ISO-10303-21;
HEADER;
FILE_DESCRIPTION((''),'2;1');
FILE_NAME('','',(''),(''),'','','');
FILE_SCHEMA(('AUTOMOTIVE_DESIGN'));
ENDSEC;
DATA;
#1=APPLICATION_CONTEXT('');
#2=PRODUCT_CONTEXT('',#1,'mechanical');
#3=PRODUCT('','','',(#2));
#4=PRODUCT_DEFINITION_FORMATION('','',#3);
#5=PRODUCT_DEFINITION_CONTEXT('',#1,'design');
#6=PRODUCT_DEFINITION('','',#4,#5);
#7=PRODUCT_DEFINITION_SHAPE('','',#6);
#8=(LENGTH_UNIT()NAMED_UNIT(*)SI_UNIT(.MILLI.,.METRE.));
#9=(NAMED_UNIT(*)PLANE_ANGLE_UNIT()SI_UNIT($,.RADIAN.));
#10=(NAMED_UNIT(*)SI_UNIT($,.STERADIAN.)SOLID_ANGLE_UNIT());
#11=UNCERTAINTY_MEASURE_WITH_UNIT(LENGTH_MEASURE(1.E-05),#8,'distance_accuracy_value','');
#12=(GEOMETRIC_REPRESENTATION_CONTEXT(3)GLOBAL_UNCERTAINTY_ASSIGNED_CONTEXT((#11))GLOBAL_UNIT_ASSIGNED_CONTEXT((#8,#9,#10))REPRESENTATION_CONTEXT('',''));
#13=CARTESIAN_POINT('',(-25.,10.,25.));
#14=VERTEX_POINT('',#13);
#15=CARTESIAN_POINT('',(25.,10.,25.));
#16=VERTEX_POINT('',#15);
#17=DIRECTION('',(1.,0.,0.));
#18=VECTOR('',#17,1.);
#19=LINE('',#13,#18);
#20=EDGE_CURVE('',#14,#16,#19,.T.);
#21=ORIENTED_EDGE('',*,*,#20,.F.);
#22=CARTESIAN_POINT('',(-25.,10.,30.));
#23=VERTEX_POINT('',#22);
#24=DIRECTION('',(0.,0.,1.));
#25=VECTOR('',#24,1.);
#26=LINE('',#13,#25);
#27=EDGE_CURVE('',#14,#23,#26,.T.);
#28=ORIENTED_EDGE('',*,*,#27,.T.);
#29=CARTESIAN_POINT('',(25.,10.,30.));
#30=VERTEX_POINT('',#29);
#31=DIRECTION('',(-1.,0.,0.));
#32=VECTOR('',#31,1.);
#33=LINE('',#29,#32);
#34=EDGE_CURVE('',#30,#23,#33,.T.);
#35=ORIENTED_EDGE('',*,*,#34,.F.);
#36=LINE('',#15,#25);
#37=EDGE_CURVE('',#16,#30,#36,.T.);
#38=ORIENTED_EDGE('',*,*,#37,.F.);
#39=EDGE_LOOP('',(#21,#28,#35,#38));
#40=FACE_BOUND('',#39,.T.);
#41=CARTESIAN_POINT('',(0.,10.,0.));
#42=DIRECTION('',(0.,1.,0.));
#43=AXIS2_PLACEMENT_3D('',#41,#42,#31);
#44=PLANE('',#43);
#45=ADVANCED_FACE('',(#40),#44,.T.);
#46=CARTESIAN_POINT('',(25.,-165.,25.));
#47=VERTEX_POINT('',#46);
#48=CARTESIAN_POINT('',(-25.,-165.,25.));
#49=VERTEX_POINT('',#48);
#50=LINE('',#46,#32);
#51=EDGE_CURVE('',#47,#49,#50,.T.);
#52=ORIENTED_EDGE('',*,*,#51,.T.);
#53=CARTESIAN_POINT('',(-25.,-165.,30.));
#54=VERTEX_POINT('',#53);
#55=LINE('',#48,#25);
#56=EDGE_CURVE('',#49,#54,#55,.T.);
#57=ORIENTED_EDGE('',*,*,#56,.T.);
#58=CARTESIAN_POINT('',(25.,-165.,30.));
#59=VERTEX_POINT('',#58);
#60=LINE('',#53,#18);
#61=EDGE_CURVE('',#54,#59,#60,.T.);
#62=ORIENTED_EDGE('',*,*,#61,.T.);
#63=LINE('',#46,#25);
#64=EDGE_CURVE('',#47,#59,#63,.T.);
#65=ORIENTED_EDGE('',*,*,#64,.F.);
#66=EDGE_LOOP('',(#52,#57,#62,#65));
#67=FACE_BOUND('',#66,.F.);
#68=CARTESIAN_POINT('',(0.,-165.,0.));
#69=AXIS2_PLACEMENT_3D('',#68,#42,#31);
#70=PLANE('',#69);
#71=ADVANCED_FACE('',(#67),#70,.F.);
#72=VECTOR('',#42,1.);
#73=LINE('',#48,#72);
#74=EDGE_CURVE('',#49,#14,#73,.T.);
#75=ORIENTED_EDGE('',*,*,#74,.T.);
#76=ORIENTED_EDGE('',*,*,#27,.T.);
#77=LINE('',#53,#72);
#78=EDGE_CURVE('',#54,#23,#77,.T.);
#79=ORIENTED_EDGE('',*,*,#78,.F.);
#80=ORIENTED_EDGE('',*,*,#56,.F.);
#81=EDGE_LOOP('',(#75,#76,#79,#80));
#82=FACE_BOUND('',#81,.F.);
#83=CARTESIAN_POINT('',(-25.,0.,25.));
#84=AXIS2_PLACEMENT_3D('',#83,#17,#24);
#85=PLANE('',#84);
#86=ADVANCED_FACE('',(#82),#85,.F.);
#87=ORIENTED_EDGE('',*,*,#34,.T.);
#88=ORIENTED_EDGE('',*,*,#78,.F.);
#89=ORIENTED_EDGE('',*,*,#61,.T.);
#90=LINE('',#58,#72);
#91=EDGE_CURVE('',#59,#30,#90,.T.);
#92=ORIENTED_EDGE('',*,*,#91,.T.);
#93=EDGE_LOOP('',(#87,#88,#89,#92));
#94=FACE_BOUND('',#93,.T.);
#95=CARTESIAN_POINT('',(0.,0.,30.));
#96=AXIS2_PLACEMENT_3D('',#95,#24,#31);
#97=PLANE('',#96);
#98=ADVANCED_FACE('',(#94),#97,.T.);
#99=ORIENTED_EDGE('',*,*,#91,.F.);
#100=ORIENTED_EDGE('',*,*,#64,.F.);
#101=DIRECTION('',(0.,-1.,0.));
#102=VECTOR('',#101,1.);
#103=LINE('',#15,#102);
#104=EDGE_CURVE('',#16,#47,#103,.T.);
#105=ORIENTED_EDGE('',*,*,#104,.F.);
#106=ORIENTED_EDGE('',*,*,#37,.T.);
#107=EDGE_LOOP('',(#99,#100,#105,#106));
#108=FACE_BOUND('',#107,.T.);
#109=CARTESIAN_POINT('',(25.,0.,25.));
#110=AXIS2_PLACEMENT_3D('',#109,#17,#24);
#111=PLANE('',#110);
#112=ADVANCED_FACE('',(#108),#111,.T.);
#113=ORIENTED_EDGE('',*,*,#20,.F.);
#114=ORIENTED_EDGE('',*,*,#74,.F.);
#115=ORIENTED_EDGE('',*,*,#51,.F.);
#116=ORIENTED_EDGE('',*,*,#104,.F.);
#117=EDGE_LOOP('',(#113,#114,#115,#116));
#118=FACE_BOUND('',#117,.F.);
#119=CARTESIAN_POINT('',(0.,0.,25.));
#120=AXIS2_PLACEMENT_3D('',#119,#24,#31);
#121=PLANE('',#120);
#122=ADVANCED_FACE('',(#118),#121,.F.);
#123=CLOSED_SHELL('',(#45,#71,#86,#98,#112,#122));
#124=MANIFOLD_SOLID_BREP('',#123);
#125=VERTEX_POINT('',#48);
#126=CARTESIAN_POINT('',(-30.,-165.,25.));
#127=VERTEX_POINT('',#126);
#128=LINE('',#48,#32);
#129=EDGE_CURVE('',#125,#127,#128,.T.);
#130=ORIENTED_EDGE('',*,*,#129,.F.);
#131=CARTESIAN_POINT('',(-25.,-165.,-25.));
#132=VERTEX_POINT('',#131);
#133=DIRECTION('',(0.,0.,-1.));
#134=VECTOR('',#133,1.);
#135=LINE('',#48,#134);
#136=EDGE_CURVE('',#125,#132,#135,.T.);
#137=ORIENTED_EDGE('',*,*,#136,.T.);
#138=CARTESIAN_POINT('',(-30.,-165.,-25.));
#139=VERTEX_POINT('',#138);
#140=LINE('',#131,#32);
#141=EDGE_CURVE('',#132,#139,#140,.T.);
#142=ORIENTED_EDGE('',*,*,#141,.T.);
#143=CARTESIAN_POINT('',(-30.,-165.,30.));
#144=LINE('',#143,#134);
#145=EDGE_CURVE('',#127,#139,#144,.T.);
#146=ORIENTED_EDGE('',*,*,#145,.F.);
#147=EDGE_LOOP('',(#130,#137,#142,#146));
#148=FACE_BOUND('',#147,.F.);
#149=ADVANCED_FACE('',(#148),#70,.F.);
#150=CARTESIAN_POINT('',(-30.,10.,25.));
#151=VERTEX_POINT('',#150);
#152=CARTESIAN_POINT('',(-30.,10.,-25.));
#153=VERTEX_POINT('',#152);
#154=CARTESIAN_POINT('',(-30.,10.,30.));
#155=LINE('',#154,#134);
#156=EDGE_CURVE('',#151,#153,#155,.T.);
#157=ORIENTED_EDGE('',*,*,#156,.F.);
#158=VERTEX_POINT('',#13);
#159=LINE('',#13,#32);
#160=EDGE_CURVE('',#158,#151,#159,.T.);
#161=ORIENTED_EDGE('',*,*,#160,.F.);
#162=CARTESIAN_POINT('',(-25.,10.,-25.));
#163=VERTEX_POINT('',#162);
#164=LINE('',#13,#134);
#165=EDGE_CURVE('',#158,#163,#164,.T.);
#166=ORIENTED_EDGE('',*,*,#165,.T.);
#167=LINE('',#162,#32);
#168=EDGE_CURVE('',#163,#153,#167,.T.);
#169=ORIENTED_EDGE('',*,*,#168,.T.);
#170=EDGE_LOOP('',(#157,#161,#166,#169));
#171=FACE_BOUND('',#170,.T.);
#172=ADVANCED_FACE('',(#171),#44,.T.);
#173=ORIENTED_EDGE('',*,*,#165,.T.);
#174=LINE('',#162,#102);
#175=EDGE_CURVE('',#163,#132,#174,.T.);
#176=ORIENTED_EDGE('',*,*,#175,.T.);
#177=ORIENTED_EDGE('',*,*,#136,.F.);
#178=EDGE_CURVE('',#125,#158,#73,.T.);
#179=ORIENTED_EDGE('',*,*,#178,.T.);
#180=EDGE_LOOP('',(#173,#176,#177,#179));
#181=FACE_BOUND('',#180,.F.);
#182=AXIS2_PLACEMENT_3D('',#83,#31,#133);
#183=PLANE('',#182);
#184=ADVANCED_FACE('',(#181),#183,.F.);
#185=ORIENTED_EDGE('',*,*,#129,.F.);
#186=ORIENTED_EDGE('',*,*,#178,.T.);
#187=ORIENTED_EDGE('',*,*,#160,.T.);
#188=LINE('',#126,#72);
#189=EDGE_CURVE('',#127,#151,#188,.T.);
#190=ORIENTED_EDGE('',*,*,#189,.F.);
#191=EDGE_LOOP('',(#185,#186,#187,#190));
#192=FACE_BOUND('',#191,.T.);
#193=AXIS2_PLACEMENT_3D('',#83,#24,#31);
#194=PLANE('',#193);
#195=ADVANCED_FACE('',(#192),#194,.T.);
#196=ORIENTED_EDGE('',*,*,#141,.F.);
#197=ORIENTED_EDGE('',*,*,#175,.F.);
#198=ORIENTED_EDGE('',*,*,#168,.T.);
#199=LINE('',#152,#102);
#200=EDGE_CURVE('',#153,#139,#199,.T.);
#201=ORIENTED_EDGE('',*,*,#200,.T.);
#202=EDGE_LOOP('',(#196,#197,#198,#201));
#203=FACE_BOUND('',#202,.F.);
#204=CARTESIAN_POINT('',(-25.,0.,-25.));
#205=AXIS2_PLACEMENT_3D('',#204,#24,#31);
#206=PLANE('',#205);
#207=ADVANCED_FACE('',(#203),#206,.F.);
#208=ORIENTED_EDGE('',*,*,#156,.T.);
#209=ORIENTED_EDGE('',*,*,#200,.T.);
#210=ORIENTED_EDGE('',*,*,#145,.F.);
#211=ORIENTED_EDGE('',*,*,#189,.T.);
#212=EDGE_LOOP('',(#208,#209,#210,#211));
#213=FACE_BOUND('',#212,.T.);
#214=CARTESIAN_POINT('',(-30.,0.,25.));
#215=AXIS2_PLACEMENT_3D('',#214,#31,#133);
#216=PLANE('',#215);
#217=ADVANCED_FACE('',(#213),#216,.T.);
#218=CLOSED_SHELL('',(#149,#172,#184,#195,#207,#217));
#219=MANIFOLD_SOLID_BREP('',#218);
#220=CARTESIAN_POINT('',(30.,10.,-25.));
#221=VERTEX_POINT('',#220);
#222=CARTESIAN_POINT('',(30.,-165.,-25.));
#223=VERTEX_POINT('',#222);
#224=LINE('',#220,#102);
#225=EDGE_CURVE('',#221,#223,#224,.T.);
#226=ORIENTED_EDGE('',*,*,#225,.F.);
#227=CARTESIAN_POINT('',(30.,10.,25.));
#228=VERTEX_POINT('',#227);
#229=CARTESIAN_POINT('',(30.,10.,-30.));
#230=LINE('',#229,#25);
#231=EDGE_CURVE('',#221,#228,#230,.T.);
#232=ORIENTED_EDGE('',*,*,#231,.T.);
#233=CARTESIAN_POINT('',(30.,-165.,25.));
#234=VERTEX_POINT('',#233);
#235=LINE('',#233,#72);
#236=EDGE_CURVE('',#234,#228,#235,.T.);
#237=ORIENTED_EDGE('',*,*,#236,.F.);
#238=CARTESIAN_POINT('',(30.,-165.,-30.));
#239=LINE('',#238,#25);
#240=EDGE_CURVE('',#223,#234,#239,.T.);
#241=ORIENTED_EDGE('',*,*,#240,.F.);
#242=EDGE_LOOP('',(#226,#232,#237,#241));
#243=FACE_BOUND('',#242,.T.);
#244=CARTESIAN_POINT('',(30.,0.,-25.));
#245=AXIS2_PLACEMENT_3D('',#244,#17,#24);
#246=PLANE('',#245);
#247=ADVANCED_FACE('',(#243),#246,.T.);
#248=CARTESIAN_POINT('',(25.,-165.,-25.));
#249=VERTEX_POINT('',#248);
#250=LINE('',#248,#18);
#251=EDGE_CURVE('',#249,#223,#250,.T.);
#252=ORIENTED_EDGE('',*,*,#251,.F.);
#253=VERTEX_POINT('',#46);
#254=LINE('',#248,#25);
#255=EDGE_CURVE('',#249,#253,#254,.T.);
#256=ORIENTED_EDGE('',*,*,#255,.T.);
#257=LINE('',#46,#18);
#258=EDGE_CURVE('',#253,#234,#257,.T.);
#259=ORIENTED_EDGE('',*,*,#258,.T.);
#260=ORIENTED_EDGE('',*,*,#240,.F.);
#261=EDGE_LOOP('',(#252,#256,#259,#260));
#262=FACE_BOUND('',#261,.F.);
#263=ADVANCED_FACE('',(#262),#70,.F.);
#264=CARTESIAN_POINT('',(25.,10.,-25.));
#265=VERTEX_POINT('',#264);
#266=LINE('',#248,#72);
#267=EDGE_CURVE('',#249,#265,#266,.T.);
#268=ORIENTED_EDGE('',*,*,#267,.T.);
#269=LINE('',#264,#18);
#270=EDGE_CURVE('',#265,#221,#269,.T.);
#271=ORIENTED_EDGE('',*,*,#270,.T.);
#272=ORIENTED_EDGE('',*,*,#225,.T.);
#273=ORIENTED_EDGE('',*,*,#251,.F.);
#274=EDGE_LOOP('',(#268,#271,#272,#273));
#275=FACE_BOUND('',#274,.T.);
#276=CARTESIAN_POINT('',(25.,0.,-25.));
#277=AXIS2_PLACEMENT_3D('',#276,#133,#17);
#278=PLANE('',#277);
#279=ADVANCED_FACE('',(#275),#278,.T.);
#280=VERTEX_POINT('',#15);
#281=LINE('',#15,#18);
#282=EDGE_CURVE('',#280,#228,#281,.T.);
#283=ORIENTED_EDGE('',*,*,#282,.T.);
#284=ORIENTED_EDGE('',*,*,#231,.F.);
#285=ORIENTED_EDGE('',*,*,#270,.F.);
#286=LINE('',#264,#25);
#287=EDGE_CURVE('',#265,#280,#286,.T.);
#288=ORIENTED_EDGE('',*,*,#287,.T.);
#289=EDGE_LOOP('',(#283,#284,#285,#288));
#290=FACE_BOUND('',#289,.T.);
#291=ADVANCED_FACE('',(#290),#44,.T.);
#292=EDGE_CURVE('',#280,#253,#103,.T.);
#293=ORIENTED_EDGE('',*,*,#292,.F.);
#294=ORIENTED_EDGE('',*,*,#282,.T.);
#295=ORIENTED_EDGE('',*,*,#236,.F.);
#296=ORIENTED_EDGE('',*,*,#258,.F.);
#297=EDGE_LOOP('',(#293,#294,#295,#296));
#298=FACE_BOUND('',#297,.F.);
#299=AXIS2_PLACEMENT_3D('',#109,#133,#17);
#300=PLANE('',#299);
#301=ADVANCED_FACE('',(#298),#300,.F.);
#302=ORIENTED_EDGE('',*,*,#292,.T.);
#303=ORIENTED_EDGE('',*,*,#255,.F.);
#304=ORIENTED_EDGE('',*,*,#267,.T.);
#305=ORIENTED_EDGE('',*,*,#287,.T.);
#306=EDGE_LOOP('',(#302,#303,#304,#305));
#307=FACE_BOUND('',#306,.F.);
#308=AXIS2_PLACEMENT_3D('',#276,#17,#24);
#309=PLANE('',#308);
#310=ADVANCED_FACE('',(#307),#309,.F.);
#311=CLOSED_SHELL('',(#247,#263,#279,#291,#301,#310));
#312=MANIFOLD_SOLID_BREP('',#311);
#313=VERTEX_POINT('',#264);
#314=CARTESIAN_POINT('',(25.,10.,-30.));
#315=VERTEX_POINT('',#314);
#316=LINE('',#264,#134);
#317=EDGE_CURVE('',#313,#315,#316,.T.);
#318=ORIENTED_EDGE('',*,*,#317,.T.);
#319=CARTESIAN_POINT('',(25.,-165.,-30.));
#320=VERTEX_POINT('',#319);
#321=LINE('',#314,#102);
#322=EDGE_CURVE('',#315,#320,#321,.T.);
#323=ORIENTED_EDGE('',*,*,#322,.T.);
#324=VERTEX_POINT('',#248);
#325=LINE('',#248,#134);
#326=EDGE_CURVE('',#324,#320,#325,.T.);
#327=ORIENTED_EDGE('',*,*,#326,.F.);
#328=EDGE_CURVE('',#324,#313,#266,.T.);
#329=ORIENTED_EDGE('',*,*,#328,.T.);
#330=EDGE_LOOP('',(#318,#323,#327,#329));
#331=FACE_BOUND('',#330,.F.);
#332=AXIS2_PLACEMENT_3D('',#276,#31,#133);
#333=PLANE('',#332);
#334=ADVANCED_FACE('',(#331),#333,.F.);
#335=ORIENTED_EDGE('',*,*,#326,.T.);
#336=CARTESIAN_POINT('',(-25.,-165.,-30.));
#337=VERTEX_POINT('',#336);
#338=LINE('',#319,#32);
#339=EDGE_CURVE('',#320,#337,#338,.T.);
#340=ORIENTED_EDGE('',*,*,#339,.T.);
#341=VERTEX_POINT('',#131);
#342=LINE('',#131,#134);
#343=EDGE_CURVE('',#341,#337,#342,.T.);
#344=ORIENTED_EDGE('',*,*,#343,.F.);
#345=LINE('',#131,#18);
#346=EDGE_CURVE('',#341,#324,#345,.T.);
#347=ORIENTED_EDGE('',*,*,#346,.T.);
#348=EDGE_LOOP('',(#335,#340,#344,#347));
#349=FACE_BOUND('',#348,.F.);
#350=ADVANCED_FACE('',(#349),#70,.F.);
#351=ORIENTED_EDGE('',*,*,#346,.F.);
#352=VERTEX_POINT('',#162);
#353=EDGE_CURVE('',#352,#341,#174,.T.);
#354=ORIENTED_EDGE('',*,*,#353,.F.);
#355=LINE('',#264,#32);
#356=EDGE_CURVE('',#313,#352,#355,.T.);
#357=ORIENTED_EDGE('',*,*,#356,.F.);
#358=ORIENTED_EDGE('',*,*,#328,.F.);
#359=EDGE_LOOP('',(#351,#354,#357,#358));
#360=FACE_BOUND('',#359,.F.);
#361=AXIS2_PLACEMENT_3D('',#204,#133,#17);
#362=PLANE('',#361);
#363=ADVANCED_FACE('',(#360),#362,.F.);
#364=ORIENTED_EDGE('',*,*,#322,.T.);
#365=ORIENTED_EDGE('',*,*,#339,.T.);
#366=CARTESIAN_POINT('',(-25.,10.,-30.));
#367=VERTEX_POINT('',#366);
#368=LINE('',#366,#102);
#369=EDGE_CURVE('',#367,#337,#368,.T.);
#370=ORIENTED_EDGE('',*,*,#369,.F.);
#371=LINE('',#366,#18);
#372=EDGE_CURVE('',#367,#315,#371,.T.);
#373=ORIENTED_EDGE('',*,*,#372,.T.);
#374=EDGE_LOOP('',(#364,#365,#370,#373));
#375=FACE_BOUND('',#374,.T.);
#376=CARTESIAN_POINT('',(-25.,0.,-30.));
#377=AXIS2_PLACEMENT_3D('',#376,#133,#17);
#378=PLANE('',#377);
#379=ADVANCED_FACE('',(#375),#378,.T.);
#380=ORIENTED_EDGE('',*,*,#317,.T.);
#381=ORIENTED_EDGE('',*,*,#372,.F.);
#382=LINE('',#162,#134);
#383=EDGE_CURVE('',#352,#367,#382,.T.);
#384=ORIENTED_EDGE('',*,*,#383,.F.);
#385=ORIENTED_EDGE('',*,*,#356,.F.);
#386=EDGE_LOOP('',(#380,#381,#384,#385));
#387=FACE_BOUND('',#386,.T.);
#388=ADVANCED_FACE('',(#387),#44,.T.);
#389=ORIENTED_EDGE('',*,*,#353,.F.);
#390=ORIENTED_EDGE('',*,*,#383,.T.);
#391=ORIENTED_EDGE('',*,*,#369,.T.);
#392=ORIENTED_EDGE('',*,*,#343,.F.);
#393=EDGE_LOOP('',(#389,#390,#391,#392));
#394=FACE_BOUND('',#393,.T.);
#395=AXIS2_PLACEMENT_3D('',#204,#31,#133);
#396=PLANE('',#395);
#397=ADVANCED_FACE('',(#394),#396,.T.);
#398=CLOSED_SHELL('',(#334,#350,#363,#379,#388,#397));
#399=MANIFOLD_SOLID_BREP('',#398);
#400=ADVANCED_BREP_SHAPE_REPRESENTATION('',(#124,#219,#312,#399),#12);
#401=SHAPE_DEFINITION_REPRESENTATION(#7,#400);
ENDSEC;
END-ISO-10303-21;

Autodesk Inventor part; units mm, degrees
ref_plane "YZ Plane" through (0, 0, 0) normal (1, 0, 0) x (0, 1, 0)
ref_plane "XZ Plane" through (0, 0, 0) normal (0, 1, 0) x (-1, 0, 0)
ref_plane "XY Plane" through (0, 0, 0) normal (0, 0, 1) x (1, 0, 0)
sketch "Sketch1" plane through (0, 0, 0) normal (0, 1, 0) x (-1, 0, 0)
  line L0 (-20, -20) -> (20, -20)
  line L1 (20, -20) -> (20, 20)
  line L2 (20, 20) -> (-20, 20)
  line L3 (-20, 20) -> (-20, -20)
  line L4 (-20, -20) -> (20, 20) construction
  line L5 (20, -20) -> (-20, 20) construction
  line L6 (30, 30) -> (30, -30)
  line L7 (30, -30) -> (-30, -30)
  line L8 (-30, -30) -> (-30, 30)
  line L9 (-30, 30) -> (30, 30)
  line L10 (-25, 25) -> (25, 25)
  line L11 (25, 25) -> (25, -25)
  line L12 (25, -25) -> (-25, -25)
  line L13 (-25, -25) -> (-25, 25)
  line L14 (25, 25) -> (25, 30)
  line L15 (25, 25) -> (30, 25)
  line L16 (-25, 25) -> (-25, 30)
  line L17 (-25, 25) -> (-30, 25)
  line L18 (-25, -25) -> (-30, -25)
  line L19 (-25, -25) -> (-25, -30)
  line L20 (25, -25) -> (30, -25)
  line L21 (25, -25) -> (25, -30)
  line L22 (0, 25) -> (0, 30)
  line L23 (0, -25) -> (0, -30)
  point P0 (0, 0)
  dimension "d0" = 40
  dimension "d1" = 40
  dimension "d2" = 10
  dimension "d3" = 5
extrude "Extrusion1" add sketch "Sketch1" along normal blind 10 contours L6 L20 L11 L15 | L14 L10 L22 L9 | L22 L10 L16 L9 | L21 L7 L23 L12 | L23 L7 L19 L12 | L13 L18 L8 L17
extrude "Extrusion2" add sketch "Sketch1" against normal blind 165 contours L6 L20 L11 L15 | L14 L10 L22 L9 | L22 L10 L16 L9 | L21 L7 L23 L12 | L23 L7 L19 L12 | L13 L18 L8 L17
sketch "Sketch2" plane through (30, 10, 25) normal (1, 0, 0) x (0, 0, -1)
  point P0 (25, -10)
properties part number "Landing Holder"
